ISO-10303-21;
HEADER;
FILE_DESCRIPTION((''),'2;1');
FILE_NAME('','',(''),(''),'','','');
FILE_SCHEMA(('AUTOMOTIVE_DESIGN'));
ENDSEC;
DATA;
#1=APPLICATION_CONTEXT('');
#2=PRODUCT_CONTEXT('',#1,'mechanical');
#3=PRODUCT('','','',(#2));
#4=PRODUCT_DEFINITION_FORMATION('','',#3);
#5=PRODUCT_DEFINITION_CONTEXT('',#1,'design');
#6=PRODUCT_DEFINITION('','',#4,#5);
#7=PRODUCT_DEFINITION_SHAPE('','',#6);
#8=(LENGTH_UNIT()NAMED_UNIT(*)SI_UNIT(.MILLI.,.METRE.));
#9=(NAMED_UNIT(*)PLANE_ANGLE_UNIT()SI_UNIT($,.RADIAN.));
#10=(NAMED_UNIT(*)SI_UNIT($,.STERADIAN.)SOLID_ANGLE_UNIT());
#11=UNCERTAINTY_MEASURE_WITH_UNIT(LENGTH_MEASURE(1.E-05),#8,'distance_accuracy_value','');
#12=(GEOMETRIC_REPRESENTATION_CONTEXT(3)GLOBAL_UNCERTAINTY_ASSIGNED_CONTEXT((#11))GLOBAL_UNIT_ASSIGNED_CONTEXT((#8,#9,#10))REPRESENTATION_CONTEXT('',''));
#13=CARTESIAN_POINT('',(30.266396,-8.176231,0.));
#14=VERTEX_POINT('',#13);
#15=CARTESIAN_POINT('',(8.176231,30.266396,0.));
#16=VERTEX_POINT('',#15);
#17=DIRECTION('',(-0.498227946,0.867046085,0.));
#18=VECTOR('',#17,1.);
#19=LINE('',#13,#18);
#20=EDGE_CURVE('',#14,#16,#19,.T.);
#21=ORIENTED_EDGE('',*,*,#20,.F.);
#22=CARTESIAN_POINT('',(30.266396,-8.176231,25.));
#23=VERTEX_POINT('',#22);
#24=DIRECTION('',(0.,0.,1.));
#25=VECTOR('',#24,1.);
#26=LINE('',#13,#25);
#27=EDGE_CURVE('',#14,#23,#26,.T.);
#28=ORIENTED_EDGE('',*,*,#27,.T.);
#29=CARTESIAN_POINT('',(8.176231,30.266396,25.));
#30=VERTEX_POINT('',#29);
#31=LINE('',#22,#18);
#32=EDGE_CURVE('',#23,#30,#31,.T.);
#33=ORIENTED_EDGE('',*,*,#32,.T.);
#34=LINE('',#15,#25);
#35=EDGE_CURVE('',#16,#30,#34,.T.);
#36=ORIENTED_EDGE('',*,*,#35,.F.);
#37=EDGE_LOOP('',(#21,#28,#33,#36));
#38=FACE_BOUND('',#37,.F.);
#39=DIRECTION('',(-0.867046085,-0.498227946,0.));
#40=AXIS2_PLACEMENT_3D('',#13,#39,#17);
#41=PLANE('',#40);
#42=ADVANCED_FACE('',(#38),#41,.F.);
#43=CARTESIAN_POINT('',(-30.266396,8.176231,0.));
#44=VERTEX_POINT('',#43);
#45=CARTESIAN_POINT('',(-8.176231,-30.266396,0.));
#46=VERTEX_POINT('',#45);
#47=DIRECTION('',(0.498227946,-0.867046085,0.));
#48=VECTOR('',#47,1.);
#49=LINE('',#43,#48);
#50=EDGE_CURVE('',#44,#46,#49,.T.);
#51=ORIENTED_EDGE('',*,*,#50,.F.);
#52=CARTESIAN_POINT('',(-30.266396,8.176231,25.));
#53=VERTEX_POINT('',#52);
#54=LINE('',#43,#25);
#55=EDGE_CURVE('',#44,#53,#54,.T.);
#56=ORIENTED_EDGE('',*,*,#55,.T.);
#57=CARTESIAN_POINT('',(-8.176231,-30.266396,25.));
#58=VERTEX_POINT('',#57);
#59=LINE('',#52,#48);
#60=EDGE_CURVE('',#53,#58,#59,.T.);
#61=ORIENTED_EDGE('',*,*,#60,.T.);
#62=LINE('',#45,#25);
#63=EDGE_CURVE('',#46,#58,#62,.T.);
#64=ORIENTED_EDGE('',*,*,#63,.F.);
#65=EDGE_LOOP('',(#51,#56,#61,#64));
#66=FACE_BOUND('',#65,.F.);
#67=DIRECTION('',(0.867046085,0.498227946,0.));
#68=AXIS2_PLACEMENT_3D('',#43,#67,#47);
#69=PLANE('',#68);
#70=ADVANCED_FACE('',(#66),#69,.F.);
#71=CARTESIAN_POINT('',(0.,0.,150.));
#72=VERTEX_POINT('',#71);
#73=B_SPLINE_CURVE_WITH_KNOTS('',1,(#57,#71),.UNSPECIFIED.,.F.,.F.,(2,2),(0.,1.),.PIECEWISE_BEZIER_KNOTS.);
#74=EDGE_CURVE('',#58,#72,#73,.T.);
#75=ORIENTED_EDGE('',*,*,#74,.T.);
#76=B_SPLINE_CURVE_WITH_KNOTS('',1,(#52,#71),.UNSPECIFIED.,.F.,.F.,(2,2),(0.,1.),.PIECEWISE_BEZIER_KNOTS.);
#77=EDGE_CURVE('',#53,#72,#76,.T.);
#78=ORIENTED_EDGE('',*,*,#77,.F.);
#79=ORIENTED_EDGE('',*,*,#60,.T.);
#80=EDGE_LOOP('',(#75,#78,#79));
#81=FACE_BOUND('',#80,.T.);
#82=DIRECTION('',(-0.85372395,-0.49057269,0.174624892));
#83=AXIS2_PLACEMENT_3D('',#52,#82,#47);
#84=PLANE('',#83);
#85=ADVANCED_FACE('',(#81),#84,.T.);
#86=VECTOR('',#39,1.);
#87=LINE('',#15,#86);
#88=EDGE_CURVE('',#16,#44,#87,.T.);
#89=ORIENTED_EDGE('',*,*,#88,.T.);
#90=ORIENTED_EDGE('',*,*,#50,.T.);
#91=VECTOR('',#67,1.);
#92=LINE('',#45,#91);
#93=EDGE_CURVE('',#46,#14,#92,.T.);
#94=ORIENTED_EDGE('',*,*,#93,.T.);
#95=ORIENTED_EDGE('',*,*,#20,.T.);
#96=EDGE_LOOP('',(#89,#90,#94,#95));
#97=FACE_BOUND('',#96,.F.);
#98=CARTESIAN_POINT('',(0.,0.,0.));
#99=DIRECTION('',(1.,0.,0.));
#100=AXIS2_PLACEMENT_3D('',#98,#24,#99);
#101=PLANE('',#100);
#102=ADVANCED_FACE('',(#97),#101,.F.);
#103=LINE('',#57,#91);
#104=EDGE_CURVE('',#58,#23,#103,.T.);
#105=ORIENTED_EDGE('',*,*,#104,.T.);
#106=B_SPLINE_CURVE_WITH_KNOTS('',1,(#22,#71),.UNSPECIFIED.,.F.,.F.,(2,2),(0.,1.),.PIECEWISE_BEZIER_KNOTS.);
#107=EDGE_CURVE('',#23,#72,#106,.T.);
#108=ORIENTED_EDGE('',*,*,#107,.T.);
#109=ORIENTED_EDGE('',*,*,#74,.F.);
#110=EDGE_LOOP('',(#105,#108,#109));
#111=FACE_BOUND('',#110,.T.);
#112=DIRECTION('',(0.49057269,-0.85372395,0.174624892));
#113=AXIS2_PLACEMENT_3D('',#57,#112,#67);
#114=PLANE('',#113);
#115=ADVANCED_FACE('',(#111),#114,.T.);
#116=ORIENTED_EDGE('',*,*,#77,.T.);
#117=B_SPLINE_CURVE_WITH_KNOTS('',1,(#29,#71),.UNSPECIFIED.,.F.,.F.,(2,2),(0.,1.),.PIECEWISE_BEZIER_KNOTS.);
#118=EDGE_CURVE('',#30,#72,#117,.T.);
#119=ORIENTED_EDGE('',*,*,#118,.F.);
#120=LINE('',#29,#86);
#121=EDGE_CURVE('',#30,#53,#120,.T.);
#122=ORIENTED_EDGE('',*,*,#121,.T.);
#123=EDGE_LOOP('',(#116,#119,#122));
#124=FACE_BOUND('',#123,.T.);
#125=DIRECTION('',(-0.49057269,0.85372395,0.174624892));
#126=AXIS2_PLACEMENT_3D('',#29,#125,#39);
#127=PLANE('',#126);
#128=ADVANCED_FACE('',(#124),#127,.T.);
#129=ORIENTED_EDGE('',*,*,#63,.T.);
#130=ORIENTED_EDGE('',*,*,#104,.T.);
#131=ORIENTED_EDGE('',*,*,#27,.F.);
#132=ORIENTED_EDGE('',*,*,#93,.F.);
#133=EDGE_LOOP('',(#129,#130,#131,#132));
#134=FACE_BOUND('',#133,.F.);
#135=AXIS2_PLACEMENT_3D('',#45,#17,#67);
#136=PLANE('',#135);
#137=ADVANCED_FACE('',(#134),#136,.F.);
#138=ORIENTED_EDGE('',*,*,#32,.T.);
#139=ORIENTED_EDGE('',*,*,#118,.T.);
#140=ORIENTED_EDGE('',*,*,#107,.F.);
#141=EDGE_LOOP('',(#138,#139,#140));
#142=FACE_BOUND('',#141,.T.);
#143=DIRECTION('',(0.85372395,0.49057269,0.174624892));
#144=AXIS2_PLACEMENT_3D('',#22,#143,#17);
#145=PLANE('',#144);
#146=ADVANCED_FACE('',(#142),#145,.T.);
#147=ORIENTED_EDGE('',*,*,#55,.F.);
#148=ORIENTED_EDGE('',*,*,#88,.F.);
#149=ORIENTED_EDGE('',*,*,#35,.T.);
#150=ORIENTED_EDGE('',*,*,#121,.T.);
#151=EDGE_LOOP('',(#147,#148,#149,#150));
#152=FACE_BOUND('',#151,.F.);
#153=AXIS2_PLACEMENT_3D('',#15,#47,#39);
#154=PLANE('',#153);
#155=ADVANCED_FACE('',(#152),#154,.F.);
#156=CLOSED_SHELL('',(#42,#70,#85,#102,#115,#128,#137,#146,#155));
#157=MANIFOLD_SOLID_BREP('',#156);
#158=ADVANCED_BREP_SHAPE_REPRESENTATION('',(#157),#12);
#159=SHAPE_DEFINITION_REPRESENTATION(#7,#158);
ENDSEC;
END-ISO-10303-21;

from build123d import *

# Parameters (mm, degrees)
F1_DEPTH = 25


with BuildPart() as f1:
    # F0 (on Top) → F1 (new body)
    with BuildSketch(Plane.XY):
        Polygon((30.266396, -8.176231), (8.176231, 30.266396), (-30.266396, 8.176231), (-8.176231, -30.266396), align=None)
    extrude(amount=F1_DEPTH)

    # F1_face (on face) → F4 section 0
    with BuildSketch(Plane.XY.offset(25), mode=Mode.PRIVATE) as f4_s0:
        Polygon((-8.176231, -30.266396), (30.266396, -8.176231), (8.176231, 30.266396), (-30.266396, 8.176231), align=None)
    loft([f4_s0.sketch, Vertex(0, 0, 150)])


solid = f1.part
